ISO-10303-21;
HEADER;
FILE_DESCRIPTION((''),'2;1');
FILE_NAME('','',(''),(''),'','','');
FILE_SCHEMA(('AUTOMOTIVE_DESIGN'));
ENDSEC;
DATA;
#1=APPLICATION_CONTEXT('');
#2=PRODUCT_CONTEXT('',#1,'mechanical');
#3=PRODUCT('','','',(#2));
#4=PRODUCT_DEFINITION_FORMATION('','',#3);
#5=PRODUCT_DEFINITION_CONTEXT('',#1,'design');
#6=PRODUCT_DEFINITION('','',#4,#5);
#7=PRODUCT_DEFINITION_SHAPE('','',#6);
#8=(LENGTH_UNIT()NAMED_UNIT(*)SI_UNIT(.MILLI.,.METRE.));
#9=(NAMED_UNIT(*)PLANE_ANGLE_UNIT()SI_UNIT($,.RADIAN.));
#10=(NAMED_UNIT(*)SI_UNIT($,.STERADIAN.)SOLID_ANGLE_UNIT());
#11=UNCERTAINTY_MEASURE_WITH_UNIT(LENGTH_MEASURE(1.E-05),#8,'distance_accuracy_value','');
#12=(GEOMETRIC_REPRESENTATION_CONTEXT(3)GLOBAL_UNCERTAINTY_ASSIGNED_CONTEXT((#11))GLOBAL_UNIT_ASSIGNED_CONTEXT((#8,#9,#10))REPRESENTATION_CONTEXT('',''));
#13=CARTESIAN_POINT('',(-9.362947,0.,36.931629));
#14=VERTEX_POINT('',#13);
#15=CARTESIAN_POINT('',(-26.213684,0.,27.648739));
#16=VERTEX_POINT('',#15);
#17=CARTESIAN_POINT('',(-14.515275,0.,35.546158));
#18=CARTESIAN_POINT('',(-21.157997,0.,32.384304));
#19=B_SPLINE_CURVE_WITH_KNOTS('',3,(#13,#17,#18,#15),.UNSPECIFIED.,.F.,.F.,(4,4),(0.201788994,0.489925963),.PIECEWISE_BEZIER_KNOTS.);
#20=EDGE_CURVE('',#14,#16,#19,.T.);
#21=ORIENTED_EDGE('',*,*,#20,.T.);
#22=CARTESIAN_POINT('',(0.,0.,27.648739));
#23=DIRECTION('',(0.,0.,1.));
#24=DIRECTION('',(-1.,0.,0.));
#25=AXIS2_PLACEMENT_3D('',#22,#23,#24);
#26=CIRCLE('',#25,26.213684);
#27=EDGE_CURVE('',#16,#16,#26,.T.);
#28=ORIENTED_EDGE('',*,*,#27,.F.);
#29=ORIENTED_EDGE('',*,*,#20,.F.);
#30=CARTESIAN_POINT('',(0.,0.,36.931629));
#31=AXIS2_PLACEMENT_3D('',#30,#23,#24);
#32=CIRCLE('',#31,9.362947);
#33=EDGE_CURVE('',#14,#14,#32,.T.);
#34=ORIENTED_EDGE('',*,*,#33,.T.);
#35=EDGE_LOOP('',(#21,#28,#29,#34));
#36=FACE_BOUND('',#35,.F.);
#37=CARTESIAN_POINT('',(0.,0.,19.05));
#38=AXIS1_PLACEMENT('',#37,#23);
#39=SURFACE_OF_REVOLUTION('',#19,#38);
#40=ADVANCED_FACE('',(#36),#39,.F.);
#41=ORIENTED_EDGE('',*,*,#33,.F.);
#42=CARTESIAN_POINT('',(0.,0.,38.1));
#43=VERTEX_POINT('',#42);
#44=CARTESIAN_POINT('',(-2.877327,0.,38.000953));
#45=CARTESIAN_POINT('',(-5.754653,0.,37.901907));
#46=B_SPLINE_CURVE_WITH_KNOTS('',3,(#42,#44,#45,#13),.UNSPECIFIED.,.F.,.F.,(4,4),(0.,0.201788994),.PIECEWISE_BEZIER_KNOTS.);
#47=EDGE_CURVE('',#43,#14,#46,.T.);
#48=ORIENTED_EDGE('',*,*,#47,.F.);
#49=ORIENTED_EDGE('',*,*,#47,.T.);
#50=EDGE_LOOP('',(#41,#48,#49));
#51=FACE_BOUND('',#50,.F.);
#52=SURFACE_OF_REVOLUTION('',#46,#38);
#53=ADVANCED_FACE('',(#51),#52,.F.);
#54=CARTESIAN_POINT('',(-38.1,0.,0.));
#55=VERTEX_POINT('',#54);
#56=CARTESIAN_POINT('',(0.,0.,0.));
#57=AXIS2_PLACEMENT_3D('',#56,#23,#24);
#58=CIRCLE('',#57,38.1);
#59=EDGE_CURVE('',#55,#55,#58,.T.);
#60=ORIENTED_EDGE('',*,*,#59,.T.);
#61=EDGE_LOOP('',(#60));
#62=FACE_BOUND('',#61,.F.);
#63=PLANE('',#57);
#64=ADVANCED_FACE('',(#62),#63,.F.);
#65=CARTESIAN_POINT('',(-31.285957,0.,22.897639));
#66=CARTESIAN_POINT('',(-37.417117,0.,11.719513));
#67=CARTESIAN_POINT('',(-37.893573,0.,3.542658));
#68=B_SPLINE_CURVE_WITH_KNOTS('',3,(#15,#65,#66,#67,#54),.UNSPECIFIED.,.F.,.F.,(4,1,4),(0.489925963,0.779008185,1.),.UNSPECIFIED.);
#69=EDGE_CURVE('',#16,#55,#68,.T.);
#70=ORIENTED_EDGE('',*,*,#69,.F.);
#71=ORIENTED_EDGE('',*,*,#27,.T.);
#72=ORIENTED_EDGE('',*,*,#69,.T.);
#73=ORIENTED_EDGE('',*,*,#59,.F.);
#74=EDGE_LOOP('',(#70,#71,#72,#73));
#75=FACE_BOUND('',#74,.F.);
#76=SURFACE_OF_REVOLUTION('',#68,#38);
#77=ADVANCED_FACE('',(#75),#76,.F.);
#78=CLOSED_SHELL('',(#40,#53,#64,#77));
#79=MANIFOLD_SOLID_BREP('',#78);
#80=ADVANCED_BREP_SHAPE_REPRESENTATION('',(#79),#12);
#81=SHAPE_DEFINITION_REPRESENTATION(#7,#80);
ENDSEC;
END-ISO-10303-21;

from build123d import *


with BuildPart() as f1:
    # F0 (on Front) → F1 (revolve)
    with BuildSketch(Plane.XZ):
        with BuildLine():
            Line((-9.3629474463, 36.9316289259), (0, 0))
            Line((0, 0), (0, 38.1))
            add(Edge.make_bspline(
                [(0, 38.1), (-2.8773265965, 38.0009533287), (-5.754653193, 37.9019066574), (-9.3629474463, 36.9316289259)],
                knots=[0, 0, 0, 0, 0.2017889943, 0.2017889943, 0.2017889943, 0.2017889943], degree=3))
        make_face()
        with BuildLine():
            Line((-36.4192789221, 11.1913414207), (0, 0))
            Line((0, 0), (-26.2136838, 27.6487392413))
            add(Edge.make_bspline(
                [(-26.2136838, 27.6487392413), (-31.285956539, 22.897639065), (-34.7607649535, 16.5624852111), (-36.4192789221, 11.1913414207)],
                knots=[0.4899259633, 0.4899259633, 0.4899259633, 0.4899259633, 0.7790081852, 0.7790081852, 0.7790081852, 0.7790081852], degree=3))
        make_face()
        with BuildLine():
            Line((-38.1, 0), (0, 0))
            Line((0, 0), (-36.4192789221, 11.1913414207))
            add(Edge.make_bspline(
                [(-36.4192789221, 11.1913414207), (-37.6871466221, 7.0853164774), (-37.893573311, 3.5426582387), (-38.1, 0)],
                knots=[0.7790081852, 0.7790081852, 0.7790081852, 0.7790081852, 1, 1, 1, 1], degree=3))
        make_face()
        with BuildLine():
            Line((-26.2136838, 27.6487392413), (0, 0))
            Line((0, 0), (-9.3629474463, 36.9316289259))
            add(Edge.make_bspline(
                [(-9.3629474463, 36.9316289259), (-14.5152748732, 35.5461575045), (-21.1579965849, 32.3843040768), (-26.2136838, 27.6487392413)],
                knots=[0.2017889943, 0.2017889943, 0.2017889943, 0.2017889943, 0.4899259633, 0.4899259633, 0.4899259633, 0.4899259633], degree=3))
        make_face()
    revolve(axis=Axis((0, 0, 19.05), (0, 0, 1)))


solid = f1.part
